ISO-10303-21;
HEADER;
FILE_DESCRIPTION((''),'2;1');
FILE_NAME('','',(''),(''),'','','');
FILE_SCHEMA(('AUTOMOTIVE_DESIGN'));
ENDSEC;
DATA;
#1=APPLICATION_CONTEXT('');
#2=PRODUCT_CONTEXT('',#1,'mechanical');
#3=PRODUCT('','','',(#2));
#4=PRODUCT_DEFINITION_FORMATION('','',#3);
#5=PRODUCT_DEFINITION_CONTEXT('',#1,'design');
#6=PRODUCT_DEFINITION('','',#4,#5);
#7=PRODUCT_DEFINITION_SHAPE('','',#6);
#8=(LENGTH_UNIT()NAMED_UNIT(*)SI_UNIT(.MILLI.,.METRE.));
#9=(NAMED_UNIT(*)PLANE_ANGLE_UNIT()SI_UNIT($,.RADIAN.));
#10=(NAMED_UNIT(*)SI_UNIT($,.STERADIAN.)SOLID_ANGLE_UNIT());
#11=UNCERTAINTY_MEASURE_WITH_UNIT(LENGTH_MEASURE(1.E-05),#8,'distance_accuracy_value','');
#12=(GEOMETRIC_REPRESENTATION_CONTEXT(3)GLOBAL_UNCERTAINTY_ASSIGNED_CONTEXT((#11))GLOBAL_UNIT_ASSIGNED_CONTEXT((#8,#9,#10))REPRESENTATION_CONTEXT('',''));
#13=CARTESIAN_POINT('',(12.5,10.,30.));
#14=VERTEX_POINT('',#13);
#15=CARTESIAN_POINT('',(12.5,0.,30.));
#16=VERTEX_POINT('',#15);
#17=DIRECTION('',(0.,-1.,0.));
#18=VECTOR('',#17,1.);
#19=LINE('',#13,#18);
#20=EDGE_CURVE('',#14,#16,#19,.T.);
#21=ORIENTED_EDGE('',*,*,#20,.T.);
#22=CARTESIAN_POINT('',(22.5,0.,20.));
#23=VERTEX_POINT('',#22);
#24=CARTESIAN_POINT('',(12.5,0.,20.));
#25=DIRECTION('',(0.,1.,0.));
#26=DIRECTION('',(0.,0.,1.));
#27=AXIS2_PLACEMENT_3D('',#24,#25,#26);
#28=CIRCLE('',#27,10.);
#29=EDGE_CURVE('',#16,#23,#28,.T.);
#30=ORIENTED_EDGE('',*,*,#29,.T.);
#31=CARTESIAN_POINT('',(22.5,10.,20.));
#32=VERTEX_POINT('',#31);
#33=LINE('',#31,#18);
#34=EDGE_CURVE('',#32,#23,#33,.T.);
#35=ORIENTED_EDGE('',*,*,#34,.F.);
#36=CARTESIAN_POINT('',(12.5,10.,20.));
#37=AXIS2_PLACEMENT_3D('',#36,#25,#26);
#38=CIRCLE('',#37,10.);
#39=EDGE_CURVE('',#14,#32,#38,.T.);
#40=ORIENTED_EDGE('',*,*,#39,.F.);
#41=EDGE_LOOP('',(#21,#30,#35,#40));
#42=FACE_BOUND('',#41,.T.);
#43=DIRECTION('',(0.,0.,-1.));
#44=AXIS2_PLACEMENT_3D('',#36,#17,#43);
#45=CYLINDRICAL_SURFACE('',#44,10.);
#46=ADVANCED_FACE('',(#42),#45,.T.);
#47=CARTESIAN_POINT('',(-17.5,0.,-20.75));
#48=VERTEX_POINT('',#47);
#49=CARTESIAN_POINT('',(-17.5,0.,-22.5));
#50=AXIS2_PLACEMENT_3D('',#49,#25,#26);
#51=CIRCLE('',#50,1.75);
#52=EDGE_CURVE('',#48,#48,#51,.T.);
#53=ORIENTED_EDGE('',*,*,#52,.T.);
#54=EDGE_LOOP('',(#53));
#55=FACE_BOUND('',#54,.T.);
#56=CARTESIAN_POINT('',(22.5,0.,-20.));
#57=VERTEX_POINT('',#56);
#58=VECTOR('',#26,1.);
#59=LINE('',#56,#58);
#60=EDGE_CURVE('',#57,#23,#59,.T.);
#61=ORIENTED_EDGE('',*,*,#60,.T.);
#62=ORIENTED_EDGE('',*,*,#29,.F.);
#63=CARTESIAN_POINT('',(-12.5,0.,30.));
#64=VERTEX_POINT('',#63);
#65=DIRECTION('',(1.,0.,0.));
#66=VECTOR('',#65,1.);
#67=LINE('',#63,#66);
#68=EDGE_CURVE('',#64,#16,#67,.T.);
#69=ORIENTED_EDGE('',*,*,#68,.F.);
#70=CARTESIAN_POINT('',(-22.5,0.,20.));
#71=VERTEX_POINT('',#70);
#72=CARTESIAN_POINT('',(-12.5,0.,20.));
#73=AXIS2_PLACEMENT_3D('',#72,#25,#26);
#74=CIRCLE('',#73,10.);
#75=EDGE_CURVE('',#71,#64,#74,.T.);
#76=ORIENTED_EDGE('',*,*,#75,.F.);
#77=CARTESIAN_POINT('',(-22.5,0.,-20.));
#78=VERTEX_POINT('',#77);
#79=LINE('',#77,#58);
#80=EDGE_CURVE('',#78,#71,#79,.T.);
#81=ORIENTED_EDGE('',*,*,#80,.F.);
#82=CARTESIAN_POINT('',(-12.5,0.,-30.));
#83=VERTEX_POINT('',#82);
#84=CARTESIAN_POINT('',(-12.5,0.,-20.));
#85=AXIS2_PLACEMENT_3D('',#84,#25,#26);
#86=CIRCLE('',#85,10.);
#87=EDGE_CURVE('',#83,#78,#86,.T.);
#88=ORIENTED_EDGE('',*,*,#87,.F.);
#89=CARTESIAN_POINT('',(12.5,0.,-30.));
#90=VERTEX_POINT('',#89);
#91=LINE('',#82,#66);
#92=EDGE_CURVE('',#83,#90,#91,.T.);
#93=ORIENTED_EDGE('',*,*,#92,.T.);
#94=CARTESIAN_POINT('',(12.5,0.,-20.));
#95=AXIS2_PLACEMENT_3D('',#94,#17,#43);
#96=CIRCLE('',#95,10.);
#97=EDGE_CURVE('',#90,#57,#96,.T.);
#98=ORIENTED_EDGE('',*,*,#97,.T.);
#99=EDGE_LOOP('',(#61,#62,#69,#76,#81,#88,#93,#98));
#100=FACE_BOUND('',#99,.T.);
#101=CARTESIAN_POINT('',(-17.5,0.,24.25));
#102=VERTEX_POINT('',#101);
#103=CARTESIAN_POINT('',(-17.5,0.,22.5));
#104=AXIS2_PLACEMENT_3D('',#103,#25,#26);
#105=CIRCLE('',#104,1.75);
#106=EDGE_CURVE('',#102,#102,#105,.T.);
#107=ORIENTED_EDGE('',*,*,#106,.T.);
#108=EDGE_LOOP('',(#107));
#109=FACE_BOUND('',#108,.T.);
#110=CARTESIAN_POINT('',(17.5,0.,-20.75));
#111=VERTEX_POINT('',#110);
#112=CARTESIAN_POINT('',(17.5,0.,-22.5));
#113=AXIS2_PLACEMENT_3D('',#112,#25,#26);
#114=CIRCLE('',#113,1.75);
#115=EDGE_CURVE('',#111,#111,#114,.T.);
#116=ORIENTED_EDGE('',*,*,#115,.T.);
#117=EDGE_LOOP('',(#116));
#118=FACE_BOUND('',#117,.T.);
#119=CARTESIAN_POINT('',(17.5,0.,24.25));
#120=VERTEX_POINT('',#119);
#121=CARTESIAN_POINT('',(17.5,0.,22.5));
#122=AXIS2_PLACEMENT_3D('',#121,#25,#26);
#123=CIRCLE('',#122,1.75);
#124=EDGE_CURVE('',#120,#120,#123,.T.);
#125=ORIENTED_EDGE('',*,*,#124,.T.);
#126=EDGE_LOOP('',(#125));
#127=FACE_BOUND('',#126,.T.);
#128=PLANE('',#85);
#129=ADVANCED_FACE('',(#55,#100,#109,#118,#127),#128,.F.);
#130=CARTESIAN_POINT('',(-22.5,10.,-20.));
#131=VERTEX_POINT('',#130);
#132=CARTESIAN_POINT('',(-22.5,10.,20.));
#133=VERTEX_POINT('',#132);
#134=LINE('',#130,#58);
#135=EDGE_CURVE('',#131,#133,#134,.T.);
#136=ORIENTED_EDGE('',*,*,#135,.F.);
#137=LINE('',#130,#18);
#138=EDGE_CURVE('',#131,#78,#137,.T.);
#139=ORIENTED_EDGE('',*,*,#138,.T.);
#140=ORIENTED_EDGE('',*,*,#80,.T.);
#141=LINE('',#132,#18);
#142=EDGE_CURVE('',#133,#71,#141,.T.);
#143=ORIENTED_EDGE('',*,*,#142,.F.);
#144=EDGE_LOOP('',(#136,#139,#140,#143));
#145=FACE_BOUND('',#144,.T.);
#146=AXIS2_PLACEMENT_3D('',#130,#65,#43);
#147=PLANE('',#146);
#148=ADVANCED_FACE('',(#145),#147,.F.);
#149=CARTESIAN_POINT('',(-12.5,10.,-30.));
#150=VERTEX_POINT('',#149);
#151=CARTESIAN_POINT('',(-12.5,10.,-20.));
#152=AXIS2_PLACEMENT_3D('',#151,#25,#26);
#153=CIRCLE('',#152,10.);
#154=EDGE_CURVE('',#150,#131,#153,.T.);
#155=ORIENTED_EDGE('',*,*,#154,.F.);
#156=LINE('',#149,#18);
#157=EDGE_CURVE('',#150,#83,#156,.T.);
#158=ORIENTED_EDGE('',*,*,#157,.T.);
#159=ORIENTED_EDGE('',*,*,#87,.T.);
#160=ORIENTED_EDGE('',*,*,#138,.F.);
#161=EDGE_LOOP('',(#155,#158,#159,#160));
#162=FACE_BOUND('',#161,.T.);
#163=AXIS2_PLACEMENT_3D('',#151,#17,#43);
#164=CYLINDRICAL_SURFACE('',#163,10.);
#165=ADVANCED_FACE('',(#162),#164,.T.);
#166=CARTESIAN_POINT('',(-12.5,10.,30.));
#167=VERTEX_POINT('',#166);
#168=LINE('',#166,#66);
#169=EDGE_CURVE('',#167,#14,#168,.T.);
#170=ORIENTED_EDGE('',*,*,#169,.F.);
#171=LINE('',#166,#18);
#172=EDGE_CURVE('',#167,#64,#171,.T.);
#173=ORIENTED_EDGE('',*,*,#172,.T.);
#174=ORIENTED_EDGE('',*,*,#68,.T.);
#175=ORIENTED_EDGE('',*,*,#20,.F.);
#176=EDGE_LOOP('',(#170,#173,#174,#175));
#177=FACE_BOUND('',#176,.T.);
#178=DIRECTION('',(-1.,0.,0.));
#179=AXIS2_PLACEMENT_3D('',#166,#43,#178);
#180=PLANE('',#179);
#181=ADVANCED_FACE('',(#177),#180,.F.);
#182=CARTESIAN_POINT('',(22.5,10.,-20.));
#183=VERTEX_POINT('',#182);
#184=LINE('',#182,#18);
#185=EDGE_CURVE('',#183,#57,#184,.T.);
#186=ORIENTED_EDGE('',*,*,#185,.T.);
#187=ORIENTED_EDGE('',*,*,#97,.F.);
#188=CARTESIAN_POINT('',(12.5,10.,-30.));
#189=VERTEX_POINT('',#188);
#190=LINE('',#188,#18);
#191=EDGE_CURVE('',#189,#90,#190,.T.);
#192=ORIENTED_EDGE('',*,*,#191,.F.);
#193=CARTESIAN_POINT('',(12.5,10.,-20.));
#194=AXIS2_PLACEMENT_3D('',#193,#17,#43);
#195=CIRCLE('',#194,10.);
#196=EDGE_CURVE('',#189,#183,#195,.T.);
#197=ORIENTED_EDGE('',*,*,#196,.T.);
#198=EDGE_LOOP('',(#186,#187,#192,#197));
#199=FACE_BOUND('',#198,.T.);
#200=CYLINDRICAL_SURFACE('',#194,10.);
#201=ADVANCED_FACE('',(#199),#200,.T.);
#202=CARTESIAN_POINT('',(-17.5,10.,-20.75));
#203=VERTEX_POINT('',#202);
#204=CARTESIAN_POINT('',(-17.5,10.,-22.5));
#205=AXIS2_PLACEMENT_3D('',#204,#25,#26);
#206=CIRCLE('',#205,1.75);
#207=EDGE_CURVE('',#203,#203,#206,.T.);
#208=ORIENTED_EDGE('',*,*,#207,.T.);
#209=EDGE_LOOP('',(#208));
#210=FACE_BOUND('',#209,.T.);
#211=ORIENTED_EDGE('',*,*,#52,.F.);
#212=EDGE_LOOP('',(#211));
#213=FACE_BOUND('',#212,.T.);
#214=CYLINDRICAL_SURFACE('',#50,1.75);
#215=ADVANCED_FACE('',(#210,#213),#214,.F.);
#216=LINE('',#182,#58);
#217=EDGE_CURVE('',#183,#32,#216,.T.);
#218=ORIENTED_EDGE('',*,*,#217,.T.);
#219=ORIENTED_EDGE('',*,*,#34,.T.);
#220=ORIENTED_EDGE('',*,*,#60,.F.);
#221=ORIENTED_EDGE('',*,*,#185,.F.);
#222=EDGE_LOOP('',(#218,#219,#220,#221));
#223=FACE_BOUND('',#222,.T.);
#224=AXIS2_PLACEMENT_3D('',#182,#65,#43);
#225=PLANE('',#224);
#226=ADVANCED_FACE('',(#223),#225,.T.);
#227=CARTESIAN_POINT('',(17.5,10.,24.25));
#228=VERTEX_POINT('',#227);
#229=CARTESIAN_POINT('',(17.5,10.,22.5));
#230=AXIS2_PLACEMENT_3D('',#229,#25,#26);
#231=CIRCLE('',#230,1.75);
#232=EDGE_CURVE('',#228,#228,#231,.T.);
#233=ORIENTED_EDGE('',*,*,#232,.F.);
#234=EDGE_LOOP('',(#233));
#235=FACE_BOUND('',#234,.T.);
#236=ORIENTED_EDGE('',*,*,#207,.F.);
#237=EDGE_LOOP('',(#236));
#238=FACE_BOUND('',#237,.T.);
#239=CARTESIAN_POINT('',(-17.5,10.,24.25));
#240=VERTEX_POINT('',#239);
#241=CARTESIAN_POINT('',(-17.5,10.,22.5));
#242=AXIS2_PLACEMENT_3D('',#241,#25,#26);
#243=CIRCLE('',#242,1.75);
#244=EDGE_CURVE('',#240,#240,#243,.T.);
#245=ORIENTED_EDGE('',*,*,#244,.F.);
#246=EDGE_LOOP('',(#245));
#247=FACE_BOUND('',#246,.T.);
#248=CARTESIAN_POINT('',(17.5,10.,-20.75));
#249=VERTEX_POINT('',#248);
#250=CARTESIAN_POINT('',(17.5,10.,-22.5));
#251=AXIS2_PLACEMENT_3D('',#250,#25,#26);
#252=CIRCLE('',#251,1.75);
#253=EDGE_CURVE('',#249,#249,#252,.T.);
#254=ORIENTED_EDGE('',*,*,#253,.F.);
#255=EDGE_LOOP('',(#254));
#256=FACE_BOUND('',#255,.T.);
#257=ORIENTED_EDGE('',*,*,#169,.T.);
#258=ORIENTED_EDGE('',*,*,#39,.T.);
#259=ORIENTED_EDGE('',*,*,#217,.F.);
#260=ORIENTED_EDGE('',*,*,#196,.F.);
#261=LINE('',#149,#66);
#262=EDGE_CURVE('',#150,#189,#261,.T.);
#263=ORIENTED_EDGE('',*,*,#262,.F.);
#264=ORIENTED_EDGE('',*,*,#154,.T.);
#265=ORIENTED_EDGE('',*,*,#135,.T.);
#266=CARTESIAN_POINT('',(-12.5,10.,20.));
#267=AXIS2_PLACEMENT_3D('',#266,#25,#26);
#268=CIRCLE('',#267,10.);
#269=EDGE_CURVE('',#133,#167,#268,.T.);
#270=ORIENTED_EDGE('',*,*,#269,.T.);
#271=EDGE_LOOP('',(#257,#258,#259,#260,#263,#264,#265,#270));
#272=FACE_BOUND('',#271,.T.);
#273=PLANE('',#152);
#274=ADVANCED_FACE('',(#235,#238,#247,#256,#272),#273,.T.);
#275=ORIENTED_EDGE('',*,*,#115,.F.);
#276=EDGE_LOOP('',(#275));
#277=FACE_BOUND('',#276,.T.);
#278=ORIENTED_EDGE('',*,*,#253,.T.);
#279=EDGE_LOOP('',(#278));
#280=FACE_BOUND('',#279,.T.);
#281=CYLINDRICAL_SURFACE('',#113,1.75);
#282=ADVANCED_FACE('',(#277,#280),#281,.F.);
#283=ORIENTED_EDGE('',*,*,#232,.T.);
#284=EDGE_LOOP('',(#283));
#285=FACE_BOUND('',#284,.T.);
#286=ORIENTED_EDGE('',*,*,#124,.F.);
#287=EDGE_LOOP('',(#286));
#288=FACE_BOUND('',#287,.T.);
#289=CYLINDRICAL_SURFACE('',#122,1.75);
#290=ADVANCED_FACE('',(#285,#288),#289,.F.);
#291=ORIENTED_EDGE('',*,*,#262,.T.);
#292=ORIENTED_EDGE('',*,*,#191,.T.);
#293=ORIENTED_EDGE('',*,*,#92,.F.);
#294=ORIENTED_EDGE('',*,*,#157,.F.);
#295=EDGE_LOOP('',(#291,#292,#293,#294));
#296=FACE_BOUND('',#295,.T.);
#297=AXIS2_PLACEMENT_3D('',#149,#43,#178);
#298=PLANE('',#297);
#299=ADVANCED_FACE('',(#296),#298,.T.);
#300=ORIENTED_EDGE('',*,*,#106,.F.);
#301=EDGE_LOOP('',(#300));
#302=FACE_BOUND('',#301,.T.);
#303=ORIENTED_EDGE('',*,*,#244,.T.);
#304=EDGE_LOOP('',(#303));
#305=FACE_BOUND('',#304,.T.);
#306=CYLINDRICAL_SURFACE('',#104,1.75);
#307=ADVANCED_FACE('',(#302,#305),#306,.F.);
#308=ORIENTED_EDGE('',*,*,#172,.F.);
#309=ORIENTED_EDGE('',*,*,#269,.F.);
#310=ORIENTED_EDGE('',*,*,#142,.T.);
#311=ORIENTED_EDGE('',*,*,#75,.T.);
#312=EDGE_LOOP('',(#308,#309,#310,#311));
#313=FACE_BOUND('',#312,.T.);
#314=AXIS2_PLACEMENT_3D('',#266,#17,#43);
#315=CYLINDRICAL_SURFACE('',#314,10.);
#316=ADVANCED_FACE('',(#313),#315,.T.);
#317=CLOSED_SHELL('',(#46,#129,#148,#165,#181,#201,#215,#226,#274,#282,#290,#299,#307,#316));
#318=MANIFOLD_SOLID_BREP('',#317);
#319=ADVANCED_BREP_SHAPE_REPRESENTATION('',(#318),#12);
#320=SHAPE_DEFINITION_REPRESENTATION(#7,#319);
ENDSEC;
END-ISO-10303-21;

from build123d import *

# Parameters (mm, degrees)
BOSS_EXTRU_1_DEPTH = 10
SKETCH1_R          = 1.75
CUT_EXTRUDE1_DEPTH = 39.810436741


with BuildPart() as part:
    # Esquisse2 → Boss.-Extru.1 (new body)
    with BuildSketch(Plane(origin=(0, 0, 0), x_dir=(1, 0, 0), z_dir=(0, 1, 0))):
        with BuildLine():
            Line((-12.5, 30), (12.5, 30))
            ThreePointArc((12.5, 30), (19.571067812, 27.071067812), (22.5, 20))
            Line((22.5, 20), (22.5, -20))
            ThreePointArc((22.5, -20), (19.571067812, -27.071067812), (12.5, -30))
            Line((12.5, -30), (-12.5, -30))
            ThreePointArc((-12.5, -30), (-19.571067812, -27.071067812), (-22.5, -20))
            Line((-22.5, -20), (-22.5, 20))
            ThreePointArc((-22.5, 20), (-19.571067812, 27.071067812), (-12.5, 30))
        make_face()
    extrude(amount=BOSS_EXTRU_1_DEPTH)

    # Sketch1 → Cut-Extrude1 (cut, through all)
    with BuildSketch(Plane(origin=(0, 10, 0), x_dir=(1, 0, 0), z_dir=(0, 1, 0))):
        with Locations(Location((-17.5, 22.5, 0), (0, 0, 270))):
            Circle(SKETCH1_R)
        with Locations(Location((17.5, 22.5, 0), (0, 0, 270))):
            Circle(SKETCH1_R)
        with Locations(Location((17.5, -22.5, 0), (0, 0, 270))):
            Circle(SKETCH1_R)
        with Locations(Location((-17.5, -22.5, 0), (0, 0, 270))):
            Circle(SKETCH1_R)
    extrude(amount=-CUT_EXTRUDE1_DEPTH, mode=Mode.SUBTRACT)


solid = part.part
